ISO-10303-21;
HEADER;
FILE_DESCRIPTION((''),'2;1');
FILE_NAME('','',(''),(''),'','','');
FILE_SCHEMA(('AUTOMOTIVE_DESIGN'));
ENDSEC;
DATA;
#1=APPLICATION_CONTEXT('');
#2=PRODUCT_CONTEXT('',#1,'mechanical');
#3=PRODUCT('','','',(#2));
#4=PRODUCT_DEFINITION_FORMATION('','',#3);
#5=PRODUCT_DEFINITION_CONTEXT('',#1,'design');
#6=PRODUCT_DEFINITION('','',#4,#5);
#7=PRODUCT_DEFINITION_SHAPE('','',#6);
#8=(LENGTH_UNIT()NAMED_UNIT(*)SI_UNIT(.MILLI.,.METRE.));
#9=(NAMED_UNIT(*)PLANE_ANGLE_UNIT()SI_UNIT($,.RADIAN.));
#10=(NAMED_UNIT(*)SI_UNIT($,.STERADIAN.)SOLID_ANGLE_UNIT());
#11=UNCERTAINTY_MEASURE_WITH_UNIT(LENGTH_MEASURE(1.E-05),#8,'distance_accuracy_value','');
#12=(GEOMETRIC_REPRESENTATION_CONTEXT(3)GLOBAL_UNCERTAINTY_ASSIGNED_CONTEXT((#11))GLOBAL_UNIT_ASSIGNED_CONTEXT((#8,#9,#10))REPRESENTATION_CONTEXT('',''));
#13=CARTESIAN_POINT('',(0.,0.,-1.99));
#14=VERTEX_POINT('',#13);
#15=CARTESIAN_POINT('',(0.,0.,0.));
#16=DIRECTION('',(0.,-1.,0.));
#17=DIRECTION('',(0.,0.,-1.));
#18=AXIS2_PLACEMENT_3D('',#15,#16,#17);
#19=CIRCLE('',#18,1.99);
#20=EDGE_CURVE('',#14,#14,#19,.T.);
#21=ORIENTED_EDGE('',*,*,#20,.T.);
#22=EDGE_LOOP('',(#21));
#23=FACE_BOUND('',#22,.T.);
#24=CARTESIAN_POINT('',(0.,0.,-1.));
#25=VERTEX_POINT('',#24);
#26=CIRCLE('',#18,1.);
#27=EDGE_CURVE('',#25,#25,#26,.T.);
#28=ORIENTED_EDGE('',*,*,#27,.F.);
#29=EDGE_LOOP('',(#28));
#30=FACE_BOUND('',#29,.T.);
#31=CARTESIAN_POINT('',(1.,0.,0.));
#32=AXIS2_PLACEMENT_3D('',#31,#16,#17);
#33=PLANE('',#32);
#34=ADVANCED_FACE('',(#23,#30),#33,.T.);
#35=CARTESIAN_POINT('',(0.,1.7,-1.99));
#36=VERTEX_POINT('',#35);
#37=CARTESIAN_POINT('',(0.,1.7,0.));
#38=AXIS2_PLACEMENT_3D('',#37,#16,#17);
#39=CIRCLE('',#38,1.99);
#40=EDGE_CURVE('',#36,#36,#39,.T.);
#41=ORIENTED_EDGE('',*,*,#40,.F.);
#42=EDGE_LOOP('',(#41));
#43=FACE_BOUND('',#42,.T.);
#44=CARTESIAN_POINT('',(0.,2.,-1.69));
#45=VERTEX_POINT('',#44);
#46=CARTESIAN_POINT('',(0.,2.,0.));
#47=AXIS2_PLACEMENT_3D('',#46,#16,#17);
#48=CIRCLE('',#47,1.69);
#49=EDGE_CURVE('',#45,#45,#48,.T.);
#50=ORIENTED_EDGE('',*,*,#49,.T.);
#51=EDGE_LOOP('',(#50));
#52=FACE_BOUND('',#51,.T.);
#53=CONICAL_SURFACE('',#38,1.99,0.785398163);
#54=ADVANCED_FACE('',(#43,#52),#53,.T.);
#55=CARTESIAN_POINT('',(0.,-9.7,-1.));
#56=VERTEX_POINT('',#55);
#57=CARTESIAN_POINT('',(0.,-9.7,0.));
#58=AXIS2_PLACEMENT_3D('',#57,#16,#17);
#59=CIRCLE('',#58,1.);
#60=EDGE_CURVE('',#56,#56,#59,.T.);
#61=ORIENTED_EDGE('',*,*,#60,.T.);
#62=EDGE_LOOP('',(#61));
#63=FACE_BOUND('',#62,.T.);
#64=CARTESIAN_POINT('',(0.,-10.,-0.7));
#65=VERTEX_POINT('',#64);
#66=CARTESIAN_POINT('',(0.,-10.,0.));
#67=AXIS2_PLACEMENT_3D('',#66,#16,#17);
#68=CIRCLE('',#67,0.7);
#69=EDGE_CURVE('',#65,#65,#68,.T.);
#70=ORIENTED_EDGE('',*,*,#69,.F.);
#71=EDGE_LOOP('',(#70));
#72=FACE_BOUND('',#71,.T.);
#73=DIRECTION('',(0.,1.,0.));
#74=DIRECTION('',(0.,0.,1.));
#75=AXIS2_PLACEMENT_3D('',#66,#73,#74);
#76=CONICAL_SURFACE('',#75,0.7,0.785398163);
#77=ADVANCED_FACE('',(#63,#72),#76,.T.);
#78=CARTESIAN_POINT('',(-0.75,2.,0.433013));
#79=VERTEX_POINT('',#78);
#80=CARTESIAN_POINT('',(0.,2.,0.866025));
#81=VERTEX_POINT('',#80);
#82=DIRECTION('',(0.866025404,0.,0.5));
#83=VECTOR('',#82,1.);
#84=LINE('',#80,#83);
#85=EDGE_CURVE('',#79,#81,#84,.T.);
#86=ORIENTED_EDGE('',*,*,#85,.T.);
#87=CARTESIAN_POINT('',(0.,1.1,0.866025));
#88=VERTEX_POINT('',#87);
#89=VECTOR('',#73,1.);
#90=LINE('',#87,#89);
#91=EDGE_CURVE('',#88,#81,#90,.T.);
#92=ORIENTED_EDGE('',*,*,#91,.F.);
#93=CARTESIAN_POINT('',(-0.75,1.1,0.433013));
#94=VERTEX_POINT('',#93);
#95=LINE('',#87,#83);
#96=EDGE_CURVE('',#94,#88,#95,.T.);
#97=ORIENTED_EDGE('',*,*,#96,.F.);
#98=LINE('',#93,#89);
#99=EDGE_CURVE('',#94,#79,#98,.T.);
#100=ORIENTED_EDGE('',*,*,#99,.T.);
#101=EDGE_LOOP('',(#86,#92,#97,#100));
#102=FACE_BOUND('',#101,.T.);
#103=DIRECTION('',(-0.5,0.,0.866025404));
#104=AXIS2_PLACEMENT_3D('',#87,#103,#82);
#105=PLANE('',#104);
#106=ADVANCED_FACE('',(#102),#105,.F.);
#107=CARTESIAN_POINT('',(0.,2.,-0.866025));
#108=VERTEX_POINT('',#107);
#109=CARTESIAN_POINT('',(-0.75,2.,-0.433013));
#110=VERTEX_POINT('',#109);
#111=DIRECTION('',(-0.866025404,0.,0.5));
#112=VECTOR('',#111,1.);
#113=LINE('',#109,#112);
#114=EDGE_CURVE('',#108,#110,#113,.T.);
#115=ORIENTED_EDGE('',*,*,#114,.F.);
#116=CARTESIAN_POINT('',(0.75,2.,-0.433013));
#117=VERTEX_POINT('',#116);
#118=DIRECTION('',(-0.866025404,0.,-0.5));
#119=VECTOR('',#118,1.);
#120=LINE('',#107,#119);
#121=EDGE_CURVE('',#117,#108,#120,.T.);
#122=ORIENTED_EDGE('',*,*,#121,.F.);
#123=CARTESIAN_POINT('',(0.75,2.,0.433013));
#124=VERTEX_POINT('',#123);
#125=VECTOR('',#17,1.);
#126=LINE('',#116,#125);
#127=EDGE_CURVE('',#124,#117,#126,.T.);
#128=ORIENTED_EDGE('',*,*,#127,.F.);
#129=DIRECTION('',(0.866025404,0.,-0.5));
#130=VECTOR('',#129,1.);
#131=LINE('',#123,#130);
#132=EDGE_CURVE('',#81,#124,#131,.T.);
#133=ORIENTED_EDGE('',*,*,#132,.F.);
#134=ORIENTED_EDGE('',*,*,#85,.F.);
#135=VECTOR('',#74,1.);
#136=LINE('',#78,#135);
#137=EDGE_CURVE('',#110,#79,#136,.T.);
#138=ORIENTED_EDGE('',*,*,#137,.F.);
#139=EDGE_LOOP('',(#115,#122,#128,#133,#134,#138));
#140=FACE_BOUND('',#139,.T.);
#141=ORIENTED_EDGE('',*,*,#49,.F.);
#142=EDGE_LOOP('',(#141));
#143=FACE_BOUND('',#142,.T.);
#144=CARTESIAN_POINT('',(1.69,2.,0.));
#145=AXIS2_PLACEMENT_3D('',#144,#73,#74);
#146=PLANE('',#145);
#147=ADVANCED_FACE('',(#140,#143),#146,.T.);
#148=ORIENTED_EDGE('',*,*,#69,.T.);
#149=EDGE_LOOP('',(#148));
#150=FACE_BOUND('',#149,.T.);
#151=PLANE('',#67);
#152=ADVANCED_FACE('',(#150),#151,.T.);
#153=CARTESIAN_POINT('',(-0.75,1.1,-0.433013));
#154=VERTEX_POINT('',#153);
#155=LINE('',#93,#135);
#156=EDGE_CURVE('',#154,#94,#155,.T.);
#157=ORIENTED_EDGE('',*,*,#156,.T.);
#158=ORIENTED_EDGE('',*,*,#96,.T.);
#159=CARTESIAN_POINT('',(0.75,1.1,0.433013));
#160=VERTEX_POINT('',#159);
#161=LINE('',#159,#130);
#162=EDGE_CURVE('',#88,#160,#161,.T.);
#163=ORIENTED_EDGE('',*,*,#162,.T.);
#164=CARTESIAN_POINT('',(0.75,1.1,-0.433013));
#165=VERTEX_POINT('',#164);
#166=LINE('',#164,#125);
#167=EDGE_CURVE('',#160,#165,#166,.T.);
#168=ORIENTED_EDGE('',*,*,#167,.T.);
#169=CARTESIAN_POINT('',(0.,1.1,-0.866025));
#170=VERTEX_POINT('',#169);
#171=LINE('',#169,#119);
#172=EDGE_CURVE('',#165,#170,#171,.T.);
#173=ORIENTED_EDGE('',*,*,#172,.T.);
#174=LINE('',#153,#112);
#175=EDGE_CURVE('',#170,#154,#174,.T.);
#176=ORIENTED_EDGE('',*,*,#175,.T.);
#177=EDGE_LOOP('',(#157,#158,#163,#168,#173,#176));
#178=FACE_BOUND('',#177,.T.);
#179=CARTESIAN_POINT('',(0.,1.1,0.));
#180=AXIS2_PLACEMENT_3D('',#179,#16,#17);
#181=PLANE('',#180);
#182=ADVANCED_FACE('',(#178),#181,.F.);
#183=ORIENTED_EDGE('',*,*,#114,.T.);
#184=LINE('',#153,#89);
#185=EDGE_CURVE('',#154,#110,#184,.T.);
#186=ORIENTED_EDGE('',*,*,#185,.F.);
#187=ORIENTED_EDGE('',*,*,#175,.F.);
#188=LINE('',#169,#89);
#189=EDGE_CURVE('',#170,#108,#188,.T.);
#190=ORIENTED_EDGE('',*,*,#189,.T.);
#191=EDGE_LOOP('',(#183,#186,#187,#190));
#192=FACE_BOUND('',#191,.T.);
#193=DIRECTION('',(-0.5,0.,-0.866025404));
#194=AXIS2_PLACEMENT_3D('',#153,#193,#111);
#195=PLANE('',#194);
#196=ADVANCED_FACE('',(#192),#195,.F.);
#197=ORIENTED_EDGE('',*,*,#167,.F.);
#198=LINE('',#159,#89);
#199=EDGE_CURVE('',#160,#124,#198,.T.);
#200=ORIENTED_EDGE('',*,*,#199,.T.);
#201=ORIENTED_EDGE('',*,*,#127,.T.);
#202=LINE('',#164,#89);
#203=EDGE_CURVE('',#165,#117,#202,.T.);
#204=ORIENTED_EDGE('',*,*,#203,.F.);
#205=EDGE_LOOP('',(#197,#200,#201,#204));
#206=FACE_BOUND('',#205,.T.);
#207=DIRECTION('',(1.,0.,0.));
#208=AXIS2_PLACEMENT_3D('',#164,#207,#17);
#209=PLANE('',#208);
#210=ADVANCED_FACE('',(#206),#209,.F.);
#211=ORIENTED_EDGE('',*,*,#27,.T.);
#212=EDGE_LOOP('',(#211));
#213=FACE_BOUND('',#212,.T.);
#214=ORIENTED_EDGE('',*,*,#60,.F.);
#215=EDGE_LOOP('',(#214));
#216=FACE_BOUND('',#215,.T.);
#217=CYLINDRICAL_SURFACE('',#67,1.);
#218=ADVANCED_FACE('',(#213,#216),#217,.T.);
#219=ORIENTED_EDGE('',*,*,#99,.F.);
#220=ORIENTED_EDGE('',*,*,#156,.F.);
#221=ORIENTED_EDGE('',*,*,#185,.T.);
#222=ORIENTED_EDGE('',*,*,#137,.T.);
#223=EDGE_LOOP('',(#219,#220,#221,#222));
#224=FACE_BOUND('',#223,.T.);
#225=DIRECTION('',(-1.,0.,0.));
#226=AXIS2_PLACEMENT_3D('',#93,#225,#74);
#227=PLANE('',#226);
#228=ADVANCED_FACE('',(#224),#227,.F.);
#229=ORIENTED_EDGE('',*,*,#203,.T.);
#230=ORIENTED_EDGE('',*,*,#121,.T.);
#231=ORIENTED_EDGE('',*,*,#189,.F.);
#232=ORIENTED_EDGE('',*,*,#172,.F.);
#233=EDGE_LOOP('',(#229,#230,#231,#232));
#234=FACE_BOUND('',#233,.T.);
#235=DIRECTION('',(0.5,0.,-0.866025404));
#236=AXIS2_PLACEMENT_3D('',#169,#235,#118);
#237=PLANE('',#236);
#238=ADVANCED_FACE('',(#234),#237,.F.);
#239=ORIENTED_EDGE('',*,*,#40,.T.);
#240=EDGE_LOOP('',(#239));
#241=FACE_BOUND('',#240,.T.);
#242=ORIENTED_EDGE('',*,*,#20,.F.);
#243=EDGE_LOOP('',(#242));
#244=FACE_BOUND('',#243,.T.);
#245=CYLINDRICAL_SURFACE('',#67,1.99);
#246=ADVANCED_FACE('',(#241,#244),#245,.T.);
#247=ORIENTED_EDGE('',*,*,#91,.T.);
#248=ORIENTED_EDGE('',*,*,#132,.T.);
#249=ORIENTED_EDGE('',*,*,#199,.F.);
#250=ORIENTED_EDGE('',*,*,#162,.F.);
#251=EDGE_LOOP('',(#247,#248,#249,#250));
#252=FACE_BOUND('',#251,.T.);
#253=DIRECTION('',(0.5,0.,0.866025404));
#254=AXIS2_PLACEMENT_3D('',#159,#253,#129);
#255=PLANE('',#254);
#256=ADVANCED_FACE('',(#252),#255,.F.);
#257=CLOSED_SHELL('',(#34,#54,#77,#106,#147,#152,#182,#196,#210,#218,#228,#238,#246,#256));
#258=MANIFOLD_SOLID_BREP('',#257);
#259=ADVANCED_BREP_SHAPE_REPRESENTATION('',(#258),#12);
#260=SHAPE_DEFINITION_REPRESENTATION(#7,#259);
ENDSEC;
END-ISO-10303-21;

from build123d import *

# Parameters (mm, degrees)
CUT_EXTRUDE1_DEPTH = 0.9


with BuildPart() as part:
    # Sketch1 → Revolve1 (revolve)
    with BuildSketch(Plane.XY, mode=Mode.PRIVATE) as revolve1_sk:
        Polygon((0, -10), (0.7, -10), (1, -9.7), (1, 0), (1.99, 0), (1.99, 1.7), (1.69, 2), (0, 2), align=None)
    revolve(revolve1_sk.sketch.rotate(Axis((0, -10, 0), (0, 1, 0)), 90), axis=Axis((0, -10, 0), (0, 1, 0)))

    # Sketch2 → Cut-Extrude1 (cut)
    with BuildSketch(Plane(origin=(0, 2, 0), x_dir=(1, 0, 0), z_dir=(0, 1, 0))):
        Polygon((0.75, -0.433012702), (0, -0.866025404), (-0.75, -0.433012702), (-0.75, 0.433012702), (0, 0.866025404), (0.75, 0.433012702), align=None)
    extrude(amount=-CUT_EXTRUDE1_DEPTH, mode=Mode.SUBTRACT)


solid = part.part
